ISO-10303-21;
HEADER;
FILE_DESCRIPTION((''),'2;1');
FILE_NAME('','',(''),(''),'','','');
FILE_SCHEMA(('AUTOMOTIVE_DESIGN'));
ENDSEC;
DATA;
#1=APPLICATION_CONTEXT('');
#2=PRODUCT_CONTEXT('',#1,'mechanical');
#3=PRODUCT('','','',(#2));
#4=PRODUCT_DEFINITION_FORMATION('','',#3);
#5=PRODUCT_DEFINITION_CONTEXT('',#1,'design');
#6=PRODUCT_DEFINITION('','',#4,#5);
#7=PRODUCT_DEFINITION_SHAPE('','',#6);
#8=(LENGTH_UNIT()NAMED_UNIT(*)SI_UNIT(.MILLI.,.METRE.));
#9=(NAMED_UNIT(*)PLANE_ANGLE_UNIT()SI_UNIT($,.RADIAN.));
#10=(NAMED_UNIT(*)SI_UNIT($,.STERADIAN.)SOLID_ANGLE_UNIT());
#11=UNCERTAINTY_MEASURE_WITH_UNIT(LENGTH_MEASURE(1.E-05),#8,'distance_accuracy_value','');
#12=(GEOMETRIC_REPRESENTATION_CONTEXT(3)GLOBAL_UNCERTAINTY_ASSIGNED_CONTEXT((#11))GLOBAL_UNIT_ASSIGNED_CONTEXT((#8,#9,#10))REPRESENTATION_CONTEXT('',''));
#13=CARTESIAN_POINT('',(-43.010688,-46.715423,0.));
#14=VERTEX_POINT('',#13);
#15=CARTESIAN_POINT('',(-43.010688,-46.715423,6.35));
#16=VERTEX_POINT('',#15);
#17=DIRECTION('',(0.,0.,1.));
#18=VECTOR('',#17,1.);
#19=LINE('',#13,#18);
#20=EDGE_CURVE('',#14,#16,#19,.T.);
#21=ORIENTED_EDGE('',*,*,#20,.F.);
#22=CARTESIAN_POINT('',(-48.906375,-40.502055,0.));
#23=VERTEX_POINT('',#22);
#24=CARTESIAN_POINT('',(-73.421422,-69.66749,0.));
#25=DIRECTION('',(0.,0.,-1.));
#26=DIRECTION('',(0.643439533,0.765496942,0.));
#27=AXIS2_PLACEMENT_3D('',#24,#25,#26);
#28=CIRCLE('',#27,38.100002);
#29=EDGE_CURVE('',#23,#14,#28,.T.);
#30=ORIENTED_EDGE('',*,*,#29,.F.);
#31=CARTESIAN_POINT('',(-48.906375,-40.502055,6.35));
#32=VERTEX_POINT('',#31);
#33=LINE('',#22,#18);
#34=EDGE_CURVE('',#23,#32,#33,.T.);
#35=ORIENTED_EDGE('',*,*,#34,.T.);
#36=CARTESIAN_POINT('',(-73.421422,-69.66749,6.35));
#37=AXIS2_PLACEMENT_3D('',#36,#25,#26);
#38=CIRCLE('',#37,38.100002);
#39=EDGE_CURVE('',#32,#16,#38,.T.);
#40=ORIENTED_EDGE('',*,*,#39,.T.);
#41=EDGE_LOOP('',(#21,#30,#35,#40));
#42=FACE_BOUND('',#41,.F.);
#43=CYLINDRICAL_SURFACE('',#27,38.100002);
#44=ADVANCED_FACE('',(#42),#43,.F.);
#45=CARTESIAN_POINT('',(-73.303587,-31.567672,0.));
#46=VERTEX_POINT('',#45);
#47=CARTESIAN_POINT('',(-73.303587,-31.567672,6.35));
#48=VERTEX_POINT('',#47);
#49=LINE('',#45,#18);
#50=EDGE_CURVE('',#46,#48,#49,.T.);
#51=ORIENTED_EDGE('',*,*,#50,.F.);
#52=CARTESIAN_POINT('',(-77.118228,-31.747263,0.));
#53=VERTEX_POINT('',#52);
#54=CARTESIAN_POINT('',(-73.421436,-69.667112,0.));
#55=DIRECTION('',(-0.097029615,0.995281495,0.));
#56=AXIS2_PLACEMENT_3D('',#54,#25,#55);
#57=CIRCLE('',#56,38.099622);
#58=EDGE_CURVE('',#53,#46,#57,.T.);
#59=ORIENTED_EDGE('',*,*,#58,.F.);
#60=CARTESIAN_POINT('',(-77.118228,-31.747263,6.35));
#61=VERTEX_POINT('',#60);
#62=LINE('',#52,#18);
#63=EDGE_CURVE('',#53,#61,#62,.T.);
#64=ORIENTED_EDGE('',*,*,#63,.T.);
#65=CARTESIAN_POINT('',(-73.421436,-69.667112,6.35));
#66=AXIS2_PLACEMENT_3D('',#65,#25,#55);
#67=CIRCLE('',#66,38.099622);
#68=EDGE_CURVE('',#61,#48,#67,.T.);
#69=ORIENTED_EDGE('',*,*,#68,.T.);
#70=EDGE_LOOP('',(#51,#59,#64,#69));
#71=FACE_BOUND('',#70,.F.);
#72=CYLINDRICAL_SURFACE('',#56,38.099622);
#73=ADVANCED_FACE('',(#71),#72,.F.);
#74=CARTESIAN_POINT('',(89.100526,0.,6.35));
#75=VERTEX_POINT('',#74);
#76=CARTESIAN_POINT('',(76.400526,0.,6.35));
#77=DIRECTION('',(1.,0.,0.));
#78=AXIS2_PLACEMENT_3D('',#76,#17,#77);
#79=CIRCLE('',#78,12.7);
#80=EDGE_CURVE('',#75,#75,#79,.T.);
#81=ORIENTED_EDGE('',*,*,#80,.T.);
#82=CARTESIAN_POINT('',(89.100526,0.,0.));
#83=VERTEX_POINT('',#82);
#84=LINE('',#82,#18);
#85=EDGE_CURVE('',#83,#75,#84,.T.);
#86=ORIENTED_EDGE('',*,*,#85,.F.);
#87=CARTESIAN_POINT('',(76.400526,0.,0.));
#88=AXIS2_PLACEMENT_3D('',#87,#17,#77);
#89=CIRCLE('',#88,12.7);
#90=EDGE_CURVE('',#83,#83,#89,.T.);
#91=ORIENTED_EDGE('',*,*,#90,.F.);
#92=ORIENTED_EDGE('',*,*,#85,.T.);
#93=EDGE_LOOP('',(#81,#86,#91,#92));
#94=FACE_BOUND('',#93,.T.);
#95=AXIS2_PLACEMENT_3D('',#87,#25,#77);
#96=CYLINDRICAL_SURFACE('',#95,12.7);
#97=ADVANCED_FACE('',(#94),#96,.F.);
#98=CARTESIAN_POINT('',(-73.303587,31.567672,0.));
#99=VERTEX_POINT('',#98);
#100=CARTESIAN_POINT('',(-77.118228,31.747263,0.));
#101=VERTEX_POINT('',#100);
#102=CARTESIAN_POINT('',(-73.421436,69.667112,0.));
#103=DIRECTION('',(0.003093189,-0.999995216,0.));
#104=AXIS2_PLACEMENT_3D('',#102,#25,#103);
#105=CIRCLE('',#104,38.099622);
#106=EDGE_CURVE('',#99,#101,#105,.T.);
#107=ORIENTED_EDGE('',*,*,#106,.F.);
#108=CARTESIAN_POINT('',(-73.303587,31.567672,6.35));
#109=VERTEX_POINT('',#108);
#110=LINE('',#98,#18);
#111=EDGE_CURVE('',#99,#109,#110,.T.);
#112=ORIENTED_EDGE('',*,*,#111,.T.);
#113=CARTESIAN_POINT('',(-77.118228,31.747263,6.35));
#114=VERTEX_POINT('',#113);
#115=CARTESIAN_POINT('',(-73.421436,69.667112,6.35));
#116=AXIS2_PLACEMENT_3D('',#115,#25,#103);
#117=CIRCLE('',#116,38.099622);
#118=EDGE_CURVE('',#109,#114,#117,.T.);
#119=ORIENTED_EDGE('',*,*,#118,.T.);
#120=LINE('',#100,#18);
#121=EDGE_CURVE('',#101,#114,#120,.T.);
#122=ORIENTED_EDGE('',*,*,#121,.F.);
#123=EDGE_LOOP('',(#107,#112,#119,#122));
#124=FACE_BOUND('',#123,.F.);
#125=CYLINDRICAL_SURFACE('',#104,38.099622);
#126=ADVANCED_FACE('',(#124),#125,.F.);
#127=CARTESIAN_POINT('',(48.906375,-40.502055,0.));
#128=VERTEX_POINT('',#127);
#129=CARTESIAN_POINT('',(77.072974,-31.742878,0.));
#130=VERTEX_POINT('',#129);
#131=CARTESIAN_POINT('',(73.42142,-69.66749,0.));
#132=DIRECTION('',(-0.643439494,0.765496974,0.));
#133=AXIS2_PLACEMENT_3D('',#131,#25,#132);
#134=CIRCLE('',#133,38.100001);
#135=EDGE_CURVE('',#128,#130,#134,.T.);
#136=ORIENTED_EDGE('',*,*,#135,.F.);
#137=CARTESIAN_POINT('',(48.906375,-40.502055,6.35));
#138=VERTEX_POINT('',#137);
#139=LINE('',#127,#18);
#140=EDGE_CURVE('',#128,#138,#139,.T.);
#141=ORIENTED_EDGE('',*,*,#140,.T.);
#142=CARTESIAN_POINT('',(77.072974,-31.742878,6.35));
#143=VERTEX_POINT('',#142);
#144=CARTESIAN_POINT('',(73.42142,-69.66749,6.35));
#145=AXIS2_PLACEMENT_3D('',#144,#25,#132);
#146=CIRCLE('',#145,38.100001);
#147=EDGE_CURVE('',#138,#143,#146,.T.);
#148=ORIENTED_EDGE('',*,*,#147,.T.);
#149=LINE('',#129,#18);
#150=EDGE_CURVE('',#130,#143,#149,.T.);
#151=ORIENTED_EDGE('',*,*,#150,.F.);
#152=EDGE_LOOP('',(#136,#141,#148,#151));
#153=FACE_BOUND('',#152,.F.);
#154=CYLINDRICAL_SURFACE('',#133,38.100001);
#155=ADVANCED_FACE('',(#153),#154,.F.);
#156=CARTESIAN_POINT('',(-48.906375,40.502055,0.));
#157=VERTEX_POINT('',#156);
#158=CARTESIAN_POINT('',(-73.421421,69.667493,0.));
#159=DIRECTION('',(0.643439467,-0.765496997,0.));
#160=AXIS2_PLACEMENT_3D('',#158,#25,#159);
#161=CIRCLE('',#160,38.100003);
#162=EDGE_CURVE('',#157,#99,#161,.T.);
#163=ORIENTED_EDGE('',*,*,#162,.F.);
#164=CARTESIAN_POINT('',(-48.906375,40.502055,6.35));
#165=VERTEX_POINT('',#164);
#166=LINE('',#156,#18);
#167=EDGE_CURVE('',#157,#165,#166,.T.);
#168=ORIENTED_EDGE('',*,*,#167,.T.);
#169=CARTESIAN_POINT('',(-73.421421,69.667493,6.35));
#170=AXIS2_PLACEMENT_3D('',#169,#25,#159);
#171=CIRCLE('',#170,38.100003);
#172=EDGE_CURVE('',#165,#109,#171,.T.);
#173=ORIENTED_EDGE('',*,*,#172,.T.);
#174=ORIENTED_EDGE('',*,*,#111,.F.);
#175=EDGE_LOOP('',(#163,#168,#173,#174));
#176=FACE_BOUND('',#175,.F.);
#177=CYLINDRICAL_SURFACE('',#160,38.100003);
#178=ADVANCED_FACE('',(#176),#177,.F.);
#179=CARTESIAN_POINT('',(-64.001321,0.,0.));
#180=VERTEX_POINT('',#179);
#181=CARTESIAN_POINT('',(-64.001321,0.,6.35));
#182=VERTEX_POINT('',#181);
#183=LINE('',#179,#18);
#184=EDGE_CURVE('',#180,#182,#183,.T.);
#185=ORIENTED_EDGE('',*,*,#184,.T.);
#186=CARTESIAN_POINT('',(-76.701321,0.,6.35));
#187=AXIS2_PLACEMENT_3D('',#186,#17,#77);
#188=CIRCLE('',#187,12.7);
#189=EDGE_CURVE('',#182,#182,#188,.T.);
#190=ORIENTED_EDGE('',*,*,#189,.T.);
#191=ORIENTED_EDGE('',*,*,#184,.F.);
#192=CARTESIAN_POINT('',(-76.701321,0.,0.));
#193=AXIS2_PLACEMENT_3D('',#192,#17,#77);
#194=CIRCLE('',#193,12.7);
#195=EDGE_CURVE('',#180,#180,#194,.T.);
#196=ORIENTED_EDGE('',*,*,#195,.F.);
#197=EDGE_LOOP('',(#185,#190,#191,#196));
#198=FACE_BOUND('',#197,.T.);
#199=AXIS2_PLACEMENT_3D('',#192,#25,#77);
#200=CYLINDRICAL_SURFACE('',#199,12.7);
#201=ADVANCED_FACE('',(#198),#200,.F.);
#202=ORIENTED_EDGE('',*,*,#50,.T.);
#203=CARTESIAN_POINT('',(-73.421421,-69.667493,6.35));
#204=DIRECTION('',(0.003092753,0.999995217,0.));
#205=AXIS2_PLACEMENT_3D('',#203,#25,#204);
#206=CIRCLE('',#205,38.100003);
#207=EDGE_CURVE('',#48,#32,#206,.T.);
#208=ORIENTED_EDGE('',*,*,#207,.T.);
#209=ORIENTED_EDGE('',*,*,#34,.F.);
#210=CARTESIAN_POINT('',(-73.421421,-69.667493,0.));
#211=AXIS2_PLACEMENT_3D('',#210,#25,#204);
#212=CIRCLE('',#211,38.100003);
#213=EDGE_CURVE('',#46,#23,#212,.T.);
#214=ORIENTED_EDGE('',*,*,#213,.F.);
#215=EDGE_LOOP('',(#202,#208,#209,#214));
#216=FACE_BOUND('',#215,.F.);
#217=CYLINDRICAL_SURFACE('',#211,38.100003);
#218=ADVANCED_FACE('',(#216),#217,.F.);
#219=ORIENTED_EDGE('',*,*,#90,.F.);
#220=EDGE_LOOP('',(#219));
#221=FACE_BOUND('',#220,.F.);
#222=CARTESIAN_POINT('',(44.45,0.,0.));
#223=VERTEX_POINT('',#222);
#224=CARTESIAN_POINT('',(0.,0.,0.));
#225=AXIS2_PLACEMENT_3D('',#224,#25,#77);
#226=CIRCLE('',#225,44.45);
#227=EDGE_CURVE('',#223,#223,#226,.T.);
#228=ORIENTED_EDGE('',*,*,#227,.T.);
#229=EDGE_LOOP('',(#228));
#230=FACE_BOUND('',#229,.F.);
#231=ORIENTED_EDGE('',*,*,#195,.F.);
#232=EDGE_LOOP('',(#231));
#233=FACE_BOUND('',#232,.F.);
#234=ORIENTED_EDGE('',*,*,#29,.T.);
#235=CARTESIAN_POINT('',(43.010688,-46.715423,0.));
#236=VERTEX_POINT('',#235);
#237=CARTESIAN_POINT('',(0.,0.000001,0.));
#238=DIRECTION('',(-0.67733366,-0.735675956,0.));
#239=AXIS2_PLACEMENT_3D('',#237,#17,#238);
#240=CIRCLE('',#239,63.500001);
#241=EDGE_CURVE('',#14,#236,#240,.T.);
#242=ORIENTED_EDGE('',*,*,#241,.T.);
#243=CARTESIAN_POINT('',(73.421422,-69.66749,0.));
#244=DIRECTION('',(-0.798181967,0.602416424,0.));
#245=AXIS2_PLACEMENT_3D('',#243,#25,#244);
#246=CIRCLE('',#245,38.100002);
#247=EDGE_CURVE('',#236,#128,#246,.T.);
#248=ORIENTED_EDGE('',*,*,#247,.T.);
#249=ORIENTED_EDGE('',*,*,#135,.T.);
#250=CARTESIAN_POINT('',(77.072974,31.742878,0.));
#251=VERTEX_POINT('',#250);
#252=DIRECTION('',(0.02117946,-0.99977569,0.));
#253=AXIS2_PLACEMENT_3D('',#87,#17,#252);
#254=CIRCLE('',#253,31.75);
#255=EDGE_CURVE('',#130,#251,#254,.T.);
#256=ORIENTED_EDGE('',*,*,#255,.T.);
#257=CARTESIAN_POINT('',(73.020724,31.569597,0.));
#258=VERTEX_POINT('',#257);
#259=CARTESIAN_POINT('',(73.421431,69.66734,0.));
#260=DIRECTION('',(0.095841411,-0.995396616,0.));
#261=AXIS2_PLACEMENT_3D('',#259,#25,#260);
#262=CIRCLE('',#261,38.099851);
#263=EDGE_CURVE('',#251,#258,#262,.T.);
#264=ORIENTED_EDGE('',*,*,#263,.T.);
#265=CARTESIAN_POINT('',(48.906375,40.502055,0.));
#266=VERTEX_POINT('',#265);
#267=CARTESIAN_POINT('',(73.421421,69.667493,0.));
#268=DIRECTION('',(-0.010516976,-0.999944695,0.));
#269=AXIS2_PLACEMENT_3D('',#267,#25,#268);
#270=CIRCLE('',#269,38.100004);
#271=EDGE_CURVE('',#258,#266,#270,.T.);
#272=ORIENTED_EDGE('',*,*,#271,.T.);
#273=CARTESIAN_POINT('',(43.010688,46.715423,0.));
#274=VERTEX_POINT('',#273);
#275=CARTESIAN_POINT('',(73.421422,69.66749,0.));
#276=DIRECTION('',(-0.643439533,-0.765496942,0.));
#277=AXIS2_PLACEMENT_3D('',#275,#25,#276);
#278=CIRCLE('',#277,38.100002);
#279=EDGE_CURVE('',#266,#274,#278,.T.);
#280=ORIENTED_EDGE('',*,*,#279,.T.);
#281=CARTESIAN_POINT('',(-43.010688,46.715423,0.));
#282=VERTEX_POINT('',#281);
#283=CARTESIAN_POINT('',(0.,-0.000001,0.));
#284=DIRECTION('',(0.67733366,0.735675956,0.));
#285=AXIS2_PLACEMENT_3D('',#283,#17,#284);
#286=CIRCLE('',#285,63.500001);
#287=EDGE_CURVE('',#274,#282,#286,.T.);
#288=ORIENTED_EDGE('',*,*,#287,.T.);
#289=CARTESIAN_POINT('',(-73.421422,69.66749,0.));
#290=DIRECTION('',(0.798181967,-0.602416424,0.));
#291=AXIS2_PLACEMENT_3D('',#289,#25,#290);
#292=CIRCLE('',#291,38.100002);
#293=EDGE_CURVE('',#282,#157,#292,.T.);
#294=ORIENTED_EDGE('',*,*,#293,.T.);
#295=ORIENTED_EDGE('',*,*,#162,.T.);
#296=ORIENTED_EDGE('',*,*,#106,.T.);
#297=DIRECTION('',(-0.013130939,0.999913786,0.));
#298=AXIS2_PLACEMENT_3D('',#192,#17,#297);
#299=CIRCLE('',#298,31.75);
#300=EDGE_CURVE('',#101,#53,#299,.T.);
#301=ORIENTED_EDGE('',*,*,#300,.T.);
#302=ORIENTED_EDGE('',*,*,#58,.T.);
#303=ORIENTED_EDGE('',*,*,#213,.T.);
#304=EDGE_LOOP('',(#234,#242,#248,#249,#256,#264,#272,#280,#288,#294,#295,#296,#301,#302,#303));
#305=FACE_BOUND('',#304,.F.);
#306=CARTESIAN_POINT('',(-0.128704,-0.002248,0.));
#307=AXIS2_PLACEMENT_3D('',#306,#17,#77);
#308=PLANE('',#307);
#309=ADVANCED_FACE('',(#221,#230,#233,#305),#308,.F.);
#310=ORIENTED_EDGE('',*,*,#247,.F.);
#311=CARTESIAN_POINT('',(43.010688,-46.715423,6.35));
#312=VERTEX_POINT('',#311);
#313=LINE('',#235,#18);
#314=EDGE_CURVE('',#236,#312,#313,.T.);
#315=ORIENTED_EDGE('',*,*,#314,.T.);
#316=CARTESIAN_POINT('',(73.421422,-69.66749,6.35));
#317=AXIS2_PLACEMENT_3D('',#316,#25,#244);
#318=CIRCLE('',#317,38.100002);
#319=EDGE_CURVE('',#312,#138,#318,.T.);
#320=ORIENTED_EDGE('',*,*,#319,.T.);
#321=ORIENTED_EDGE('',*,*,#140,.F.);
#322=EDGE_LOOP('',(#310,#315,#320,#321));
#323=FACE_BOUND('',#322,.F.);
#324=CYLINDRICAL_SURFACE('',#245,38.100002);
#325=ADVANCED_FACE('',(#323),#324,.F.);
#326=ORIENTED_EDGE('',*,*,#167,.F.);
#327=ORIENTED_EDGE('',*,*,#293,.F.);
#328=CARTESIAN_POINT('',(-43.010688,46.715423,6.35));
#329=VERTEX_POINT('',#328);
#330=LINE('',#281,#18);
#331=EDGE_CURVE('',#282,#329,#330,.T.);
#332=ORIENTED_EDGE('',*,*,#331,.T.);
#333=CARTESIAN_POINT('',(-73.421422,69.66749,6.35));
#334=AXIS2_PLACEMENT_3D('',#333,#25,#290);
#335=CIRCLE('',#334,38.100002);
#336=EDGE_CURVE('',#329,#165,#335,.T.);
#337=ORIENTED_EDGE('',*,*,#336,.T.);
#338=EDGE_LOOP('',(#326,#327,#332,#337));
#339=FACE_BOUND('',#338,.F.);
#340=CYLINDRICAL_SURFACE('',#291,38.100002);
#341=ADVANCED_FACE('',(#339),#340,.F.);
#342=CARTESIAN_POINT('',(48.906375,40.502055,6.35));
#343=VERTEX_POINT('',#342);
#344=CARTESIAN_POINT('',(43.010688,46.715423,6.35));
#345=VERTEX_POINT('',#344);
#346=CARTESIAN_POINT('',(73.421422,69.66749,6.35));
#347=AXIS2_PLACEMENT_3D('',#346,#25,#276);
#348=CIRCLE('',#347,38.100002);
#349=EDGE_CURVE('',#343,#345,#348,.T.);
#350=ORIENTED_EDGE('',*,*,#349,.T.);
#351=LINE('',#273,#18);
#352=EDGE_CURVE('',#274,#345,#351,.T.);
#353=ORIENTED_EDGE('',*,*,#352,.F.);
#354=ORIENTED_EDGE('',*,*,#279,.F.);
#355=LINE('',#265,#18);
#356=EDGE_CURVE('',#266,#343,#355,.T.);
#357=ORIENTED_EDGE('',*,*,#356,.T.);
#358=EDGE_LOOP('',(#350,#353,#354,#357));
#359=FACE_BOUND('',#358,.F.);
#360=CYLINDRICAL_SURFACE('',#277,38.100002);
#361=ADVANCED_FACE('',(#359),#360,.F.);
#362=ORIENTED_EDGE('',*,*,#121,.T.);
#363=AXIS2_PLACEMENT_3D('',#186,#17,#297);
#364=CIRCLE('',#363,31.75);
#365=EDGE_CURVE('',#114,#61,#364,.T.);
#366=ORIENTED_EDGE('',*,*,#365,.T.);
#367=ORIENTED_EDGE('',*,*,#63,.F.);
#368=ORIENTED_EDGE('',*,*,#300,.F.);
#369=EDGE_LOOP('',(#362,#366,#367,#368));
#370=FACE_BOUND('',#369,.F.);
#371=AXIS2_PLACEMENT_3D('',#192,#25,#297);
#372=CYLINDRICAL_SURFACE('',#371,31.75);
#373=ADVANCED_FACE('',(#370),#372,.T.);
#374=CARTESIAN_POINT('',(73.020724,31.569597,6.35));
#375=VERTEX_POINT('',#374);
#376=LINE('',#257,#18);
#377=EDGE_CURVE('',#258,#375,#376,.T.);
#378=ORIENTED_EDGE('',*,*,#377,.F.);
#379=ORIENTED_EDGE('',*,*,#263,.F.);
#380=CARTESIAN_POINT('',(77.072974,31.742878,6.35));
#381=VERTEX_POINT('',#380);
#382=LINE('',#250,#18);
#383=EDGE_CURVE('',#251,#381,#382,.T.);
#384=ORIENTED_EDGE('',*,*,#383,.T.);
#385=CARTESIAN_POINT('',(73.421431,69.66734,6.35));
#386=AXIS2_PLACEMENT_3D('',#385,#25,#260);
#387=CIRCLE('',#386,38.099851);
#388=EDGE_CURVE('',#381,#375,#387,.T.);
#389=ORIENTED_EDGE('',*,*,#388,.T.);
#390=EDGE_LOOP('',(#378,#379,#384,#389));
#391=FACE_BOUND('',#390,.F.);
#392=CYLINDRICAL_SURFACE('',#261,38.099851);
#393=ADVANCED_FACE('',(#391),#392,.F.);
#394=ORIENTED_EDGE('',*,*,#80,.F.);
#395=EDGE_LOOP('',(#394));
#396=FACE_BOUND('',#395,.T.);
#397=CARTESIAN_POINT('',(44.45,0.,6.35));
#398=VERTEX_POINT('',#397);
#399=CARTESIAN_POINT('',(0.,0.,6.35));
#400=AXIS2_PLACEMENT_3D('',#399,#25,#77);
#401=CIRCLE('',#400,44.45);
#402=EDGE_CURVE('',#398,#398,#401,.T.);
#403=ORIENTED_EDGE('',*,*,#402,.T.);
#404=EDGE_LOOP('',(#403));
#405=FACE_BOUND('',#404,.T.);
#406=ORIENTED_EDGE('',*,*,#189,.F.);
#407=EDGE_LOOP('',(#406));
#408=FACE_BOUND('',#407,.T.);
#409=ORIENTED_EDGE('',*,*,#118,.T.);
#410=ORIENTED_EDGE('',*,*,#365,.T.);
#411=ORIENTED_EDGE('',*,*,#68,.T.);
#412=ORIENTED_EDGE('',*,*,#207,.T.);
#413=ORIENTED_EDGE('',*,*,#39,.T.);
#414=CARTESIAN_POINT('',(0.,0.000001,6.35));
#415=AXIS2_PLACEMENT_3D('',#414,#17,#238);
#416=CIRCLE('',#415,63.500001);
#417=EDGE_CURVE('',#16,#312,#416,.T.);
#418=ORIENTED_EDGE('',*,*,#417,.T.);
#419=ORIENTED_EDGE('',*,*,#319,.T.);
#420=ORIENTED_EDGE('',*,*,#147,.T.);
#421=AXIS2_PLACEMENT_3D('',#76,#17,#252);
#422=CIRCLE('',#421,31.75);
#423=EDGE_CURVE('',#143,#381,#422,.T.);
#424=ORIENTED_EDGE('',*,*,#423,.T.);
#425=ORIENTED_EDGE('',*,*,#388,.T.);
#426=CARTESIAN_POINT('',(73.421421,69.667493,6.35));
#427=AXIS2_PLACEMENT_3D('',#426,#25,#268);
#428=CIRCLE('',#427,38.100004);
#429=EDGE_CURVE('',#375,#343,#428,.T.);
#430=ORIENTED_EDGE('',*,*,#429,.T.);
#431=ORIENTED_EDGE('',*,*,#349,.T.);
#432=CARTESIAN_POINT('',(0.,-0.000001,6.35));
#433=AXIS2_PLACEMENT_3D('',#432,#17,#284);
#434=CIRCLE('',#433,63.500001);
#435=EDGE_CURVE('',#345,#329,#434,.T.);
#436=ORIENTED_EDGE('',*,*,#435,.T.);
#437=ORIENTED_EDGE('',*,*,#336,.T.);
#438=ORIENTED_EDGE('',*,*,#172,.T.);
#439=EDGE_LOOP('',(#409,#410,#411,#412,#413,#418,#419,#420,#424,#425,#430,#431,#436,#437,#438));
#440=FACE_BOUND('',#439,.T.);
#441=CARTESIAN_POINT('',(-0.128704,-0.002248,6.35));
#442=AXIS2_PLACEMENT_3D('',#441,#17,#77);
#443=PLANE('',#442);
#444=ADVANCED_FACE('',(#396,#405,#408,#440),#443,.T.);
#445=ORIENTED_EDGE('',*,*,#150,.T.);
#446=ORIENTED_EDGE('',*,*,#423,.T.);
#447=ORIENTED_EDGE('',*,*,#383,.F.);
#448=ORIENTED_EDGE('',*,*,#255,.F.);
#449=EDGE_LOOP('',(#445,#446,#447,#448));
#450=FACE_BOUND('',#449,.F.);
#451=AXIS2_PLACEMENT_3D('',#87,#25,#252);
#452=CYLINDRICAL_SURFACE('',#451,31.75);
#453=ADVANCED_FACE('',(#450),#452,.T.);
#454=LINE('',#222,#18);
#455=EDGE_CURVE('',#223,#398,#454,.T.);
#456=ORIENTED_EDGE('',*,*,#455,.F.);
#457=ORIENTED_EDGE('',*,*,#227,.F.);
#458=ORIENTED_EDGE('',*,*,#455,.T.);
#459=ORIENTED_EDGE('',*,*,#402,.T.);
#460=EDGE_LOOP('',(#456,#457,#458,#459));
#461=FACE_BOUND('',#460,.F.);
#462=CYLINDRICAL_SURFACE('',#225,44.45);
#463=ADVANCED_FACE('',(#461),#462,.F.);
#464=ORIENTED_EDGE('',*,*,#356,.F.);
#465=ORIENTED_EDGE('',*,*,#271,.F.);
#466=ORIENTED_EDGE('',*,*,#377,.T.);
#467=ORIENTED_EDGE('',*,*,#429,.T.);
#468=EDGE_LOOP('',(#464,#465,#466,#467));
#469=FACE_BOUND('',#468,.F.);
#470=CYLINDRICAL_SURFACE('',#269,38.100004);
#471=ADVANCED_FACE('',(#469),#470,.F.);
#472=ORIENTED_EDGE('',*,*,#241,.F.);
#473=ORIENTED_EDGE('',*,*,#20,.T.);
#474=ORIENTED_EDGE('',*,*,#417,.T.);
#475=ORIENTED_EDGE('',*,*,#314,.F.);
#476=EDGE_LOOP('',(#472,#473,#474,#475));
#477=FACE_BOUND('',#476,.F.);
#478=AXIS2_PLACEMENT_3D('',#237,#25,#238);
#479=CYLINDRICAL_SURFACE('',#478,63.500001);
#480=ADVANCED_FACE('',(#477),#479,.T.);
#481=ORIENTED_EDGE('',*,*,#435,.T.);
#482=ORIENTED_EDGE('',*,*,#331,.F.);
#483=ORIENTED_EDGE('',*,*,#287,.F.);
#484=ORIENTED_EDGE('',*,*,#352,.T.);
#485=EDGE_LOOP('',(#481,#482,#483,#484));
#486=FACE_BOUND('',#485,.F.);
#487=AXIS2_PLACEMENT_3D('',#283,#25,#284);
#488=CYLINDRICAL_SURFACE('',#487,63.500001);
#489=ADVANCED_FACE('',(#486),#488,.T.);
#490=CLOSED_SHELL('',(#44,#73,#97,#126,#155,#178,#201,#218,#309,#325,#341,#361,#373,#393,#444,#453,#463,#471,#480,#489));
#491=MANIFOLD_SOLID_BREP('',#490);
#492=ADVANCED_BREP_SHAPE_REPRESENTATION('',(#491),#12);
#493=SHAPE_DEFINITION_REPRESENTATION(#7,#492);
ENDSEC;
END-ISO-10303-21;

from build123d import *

# Parameters (mm, degrees)
F0_R     = 12.7
F1_DEPTH = 6.35


with BuildPart() as f1:
    # F0 (on Top) → F1 (new body)
    with BuildSketch(Plane.XY):
        with BuildLine():
            ThreePointArc((-73.303587, -31.567672), (-60.319875, -33.890968), (-48.906375, -40.502055))
            ThreePointArc((-48.906375, -40.502055), (-45.783372, -43.442534), (-43.010688, -46.715423))
            ThreePointArc((-43.010688, -46.715423), (0, -63.5), (43.010688, -46.715423))
            ThreePointArc((43.010688, -46.715423), (45.783372, -43.442534), (48.906375, -40.502055))
            ThreePointArc((48.906375, -40.502055), (62.107619, -33.286067), (77.072974, -31.742878))
            ThreePointArc((77.072974, -31.742878), (108.150526, 0), (77.072974, 31.742878))
            ThreePointArc((77.072974, 31.742878), (75.049156, 31.602276), (73.020724, 31.569597))
            ThreePointArc((73.020724, 31.569597), (60.187156, 33.93985), (48.906375, 40.502055))
            ThreePointArc((48.906375, 40.502055), (45.783372, 43.442534), (43.010688, 46.715423))
            ThreePointArc((43.010688, 46.715423), (0, 63.5), (-43.010688, 46.715423))
            ThreePointArc((-43.010688, 46.715423), (-45.783372, 43.442534), (-48.906375, 40.502055))
            ThreePointArc((-48.906375, 40.502055), (-60.319875, 33.890968), (-73.303587, 31.567672))
            ThreePointArc((-73.303587, 31.567672), (-75.213159, 31.609643), (-77.118228, 31.747263))
            ThreePointArc((-77.118228, 31.747263), (-108.451321, 0), (-77.118228, -31.747263))
            ThreePointArc((-77.118228, -31.747263), (-75.213159, -31.609643), (-73.303587, -31.567672))
        make_face()
        with Locations((-76.701321, 0)):
            Circle(F0_R, mode=Mode.SUBTRACT)
        with BuildLine():
            ThreePointArc((-44.45, 0), (0, 44.45), (44.45, 0))
            ThreePointArc((44.45, 0), (0, -44.45), (-44.45, 0))
        make_face(mode=Mode.SUBTRACT)
        with Locations((76.400526, 0)):
            Circle(F0_R, mode=Mode.SUBTRACT)
    extrude(amount=F1_DEPTH)


solid = f1.part
